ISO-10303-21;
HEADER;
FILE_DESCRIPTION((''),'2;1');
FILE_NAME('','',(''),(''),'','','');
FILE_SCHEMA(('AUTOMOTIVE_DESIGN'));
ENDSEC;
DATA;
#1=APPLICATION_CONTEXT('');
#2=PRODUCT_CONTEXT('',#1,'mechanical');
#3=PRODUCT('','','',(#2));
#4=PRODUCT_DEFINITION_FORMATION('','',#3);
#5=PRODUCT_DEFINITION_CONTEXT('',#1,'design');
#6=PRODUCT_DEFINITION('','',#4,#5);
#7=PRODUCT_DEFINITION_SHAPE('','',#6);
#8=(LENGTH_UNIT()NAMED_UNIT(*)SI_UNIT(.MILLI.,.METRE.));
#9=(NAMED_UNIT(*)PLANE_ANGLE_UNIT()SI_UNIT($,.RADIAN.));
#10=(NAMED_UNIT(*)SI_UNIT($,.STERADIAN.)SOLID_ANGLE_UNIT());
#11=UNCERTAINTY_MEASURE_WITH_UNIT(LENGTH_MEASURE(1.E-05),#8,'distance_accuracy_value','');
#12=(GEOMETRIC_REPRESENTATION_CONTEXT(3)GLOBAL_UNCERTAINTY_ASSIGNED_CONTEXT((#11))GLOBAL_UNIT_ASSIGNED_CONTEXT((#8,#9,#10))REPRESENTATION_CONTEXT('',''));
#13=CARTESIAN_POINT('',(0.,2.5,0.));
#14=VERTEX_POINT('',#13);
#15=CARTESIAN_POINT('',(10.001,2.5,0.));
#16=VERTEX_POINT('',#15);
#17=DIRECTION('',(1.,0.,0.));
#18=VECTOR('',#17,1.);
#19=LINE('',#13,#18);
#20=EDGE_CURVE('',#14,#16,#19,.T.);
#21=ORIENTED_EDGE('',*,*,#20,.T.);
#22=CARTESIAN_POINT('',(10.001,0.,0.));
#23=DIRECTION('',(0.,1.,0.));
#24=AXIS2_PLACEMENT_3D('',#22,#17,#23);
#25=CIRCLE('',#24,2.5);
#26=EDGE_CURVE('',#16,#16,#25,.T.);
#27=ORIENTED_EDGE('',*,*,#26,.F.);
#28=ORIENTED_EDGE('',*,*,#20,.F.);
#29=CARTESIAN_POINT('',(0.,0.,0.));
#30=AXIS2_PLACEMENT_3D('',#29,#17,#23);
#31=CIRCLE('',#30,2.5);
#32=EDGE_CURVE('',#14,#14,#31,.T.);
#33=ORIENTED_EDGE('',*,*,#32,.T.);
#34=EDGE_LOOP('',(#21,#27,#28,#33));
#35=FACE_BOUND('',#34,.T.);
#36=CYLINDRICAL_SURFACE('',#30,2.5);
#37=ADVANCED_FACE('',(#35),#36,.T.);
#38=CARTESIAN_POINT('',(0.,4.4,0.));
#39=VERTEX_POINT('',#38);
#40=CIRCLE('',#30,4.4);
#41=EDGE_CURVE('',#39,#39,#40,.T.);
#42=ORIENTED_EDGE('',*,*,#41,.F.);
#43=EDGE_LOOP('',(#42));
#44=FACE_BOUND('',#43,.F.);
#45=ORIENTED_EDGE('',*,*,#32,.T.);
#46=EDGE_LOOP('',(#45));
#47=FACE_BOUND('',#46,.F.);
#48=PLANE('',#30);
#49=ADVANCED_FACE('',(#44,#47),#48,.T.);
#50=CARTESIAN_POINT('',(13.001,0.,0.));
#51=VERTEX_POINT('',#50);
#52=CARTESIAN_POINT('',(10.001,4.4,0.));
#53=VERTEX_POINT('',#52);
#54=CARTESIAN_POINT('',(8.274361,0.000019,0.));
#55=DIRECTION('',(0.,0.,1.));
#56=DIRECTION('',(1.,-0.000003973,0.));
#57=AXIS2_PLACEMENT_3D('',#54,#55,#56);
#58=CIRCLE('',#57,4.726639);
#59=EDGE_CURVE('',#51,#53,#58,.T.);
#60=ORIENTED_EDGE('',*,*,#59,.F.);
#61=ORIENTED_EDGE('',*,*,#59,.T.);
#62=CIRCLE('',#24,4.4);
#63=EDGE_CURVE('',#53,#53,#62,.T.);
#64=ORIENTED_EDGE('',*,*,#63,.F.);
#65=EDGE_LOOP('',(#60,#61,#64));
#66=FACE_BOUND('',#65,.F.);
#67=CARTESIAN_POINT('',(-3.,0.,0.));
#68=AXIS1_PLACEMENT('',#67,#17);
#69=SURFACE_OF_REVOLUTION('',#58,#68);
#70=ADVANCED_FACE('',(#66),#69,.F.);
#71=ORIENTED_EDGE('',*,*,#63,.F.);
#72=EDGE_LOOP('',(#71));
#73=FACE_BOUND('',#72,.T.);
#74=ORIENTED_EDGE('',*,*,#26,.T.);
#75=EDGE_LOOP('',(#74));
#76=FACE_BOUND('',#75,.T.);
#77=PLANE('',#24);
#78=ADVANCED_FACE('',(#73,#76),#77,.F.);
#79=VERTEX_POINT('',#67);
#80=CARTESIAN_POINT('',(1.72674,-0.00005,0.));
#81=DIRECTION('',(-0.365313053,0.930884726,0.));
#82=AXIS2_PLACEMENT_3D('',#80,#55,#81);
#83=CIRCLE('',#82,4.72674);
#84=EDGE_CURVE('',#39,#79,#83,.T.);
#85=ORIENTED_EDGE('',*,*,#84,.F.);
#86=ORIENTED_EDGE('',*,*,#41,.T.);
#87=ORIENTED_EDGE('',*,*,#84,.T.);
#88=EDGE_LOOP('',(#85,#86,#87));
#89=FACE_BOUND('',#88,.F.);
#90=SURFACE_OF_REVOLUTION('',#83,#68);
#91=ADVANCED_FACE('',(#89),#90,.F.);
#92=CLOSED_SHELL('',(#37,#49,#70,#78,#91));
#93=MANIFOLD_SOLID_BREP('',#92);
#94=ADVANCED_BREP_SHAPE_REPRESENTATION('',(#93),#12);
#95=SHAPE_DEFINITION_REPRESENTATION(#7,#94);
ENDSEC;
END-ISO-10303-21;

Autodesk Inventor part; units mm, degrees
ref_plane "YZ Plane" through (0, 0, 0) normal (1, 0, 0) x (0, 1, 0)
ref_plane "XZ Plane" through (0, 0, 0) normal (0, 1, 0) x (-1, 0, 0)
ref_plane "XY Plane" through (0, 0, 0) normal (0, 0, 1) x (1, 0, 0)
sketch "Szkic" plane through (0, 0, 0) normal (0, 0, 1) x (1, 0, 0)
  line L0 (0, 2.5) -> (10.001, 2.5)
  line L1 (10.001, 2.5) -> (10.001, 4.4)
  line L2 (0, 2.5) -> (0, 4.4)
  line L3 (-3, 0) -> (13.001, 0)
  line L4 (-7.9503, 0) -> (21.9513, 0) projected
  line L5 (0, -0.9725) -> (0, 5.8352) projected
  arc A0 (0, 4.4) -> (-3, 0) centre (1.7267, 0) ccw
  arc A1 (13.001, 0) -> (10.001, 4.4) centre (8.2743, 0) ccw
  dimension "d0" = 5
  dimension "d1" = 10.001
  dimension "d2" = 8.8
  dimension "d3" = 3
  dimension "d4" = 8.8
  dimension "d5" = 3
revolve "Bryła" add sketch "Szkic" angle 360 about axis through (-3, 0, 0) along (1, 0, 0)
equation "\"d0\" = NND1"
equation "\"d2\" = KOD"
equation "\"d3\" = KOH"
equation "\"d4\" = KOD1"
equation "\"d5\" = KOH1"
equation "\"KOH\" = 3"
equation "\"KOH1\" = KOH"
equation "\"KOD\" = 8.8"
equation "\"KOD1\" = KOD"
equation "\"NND1\" = NND"
equation "\"NLG\" = 18"
equation "\"KLGMIN\" = 0.001"
equation "\"NND\" = 5"
equation "\"KLGMAX\" = 11"
properties part number "ISO/R 1051 - 5 x 18" material "Stal, miękka"
